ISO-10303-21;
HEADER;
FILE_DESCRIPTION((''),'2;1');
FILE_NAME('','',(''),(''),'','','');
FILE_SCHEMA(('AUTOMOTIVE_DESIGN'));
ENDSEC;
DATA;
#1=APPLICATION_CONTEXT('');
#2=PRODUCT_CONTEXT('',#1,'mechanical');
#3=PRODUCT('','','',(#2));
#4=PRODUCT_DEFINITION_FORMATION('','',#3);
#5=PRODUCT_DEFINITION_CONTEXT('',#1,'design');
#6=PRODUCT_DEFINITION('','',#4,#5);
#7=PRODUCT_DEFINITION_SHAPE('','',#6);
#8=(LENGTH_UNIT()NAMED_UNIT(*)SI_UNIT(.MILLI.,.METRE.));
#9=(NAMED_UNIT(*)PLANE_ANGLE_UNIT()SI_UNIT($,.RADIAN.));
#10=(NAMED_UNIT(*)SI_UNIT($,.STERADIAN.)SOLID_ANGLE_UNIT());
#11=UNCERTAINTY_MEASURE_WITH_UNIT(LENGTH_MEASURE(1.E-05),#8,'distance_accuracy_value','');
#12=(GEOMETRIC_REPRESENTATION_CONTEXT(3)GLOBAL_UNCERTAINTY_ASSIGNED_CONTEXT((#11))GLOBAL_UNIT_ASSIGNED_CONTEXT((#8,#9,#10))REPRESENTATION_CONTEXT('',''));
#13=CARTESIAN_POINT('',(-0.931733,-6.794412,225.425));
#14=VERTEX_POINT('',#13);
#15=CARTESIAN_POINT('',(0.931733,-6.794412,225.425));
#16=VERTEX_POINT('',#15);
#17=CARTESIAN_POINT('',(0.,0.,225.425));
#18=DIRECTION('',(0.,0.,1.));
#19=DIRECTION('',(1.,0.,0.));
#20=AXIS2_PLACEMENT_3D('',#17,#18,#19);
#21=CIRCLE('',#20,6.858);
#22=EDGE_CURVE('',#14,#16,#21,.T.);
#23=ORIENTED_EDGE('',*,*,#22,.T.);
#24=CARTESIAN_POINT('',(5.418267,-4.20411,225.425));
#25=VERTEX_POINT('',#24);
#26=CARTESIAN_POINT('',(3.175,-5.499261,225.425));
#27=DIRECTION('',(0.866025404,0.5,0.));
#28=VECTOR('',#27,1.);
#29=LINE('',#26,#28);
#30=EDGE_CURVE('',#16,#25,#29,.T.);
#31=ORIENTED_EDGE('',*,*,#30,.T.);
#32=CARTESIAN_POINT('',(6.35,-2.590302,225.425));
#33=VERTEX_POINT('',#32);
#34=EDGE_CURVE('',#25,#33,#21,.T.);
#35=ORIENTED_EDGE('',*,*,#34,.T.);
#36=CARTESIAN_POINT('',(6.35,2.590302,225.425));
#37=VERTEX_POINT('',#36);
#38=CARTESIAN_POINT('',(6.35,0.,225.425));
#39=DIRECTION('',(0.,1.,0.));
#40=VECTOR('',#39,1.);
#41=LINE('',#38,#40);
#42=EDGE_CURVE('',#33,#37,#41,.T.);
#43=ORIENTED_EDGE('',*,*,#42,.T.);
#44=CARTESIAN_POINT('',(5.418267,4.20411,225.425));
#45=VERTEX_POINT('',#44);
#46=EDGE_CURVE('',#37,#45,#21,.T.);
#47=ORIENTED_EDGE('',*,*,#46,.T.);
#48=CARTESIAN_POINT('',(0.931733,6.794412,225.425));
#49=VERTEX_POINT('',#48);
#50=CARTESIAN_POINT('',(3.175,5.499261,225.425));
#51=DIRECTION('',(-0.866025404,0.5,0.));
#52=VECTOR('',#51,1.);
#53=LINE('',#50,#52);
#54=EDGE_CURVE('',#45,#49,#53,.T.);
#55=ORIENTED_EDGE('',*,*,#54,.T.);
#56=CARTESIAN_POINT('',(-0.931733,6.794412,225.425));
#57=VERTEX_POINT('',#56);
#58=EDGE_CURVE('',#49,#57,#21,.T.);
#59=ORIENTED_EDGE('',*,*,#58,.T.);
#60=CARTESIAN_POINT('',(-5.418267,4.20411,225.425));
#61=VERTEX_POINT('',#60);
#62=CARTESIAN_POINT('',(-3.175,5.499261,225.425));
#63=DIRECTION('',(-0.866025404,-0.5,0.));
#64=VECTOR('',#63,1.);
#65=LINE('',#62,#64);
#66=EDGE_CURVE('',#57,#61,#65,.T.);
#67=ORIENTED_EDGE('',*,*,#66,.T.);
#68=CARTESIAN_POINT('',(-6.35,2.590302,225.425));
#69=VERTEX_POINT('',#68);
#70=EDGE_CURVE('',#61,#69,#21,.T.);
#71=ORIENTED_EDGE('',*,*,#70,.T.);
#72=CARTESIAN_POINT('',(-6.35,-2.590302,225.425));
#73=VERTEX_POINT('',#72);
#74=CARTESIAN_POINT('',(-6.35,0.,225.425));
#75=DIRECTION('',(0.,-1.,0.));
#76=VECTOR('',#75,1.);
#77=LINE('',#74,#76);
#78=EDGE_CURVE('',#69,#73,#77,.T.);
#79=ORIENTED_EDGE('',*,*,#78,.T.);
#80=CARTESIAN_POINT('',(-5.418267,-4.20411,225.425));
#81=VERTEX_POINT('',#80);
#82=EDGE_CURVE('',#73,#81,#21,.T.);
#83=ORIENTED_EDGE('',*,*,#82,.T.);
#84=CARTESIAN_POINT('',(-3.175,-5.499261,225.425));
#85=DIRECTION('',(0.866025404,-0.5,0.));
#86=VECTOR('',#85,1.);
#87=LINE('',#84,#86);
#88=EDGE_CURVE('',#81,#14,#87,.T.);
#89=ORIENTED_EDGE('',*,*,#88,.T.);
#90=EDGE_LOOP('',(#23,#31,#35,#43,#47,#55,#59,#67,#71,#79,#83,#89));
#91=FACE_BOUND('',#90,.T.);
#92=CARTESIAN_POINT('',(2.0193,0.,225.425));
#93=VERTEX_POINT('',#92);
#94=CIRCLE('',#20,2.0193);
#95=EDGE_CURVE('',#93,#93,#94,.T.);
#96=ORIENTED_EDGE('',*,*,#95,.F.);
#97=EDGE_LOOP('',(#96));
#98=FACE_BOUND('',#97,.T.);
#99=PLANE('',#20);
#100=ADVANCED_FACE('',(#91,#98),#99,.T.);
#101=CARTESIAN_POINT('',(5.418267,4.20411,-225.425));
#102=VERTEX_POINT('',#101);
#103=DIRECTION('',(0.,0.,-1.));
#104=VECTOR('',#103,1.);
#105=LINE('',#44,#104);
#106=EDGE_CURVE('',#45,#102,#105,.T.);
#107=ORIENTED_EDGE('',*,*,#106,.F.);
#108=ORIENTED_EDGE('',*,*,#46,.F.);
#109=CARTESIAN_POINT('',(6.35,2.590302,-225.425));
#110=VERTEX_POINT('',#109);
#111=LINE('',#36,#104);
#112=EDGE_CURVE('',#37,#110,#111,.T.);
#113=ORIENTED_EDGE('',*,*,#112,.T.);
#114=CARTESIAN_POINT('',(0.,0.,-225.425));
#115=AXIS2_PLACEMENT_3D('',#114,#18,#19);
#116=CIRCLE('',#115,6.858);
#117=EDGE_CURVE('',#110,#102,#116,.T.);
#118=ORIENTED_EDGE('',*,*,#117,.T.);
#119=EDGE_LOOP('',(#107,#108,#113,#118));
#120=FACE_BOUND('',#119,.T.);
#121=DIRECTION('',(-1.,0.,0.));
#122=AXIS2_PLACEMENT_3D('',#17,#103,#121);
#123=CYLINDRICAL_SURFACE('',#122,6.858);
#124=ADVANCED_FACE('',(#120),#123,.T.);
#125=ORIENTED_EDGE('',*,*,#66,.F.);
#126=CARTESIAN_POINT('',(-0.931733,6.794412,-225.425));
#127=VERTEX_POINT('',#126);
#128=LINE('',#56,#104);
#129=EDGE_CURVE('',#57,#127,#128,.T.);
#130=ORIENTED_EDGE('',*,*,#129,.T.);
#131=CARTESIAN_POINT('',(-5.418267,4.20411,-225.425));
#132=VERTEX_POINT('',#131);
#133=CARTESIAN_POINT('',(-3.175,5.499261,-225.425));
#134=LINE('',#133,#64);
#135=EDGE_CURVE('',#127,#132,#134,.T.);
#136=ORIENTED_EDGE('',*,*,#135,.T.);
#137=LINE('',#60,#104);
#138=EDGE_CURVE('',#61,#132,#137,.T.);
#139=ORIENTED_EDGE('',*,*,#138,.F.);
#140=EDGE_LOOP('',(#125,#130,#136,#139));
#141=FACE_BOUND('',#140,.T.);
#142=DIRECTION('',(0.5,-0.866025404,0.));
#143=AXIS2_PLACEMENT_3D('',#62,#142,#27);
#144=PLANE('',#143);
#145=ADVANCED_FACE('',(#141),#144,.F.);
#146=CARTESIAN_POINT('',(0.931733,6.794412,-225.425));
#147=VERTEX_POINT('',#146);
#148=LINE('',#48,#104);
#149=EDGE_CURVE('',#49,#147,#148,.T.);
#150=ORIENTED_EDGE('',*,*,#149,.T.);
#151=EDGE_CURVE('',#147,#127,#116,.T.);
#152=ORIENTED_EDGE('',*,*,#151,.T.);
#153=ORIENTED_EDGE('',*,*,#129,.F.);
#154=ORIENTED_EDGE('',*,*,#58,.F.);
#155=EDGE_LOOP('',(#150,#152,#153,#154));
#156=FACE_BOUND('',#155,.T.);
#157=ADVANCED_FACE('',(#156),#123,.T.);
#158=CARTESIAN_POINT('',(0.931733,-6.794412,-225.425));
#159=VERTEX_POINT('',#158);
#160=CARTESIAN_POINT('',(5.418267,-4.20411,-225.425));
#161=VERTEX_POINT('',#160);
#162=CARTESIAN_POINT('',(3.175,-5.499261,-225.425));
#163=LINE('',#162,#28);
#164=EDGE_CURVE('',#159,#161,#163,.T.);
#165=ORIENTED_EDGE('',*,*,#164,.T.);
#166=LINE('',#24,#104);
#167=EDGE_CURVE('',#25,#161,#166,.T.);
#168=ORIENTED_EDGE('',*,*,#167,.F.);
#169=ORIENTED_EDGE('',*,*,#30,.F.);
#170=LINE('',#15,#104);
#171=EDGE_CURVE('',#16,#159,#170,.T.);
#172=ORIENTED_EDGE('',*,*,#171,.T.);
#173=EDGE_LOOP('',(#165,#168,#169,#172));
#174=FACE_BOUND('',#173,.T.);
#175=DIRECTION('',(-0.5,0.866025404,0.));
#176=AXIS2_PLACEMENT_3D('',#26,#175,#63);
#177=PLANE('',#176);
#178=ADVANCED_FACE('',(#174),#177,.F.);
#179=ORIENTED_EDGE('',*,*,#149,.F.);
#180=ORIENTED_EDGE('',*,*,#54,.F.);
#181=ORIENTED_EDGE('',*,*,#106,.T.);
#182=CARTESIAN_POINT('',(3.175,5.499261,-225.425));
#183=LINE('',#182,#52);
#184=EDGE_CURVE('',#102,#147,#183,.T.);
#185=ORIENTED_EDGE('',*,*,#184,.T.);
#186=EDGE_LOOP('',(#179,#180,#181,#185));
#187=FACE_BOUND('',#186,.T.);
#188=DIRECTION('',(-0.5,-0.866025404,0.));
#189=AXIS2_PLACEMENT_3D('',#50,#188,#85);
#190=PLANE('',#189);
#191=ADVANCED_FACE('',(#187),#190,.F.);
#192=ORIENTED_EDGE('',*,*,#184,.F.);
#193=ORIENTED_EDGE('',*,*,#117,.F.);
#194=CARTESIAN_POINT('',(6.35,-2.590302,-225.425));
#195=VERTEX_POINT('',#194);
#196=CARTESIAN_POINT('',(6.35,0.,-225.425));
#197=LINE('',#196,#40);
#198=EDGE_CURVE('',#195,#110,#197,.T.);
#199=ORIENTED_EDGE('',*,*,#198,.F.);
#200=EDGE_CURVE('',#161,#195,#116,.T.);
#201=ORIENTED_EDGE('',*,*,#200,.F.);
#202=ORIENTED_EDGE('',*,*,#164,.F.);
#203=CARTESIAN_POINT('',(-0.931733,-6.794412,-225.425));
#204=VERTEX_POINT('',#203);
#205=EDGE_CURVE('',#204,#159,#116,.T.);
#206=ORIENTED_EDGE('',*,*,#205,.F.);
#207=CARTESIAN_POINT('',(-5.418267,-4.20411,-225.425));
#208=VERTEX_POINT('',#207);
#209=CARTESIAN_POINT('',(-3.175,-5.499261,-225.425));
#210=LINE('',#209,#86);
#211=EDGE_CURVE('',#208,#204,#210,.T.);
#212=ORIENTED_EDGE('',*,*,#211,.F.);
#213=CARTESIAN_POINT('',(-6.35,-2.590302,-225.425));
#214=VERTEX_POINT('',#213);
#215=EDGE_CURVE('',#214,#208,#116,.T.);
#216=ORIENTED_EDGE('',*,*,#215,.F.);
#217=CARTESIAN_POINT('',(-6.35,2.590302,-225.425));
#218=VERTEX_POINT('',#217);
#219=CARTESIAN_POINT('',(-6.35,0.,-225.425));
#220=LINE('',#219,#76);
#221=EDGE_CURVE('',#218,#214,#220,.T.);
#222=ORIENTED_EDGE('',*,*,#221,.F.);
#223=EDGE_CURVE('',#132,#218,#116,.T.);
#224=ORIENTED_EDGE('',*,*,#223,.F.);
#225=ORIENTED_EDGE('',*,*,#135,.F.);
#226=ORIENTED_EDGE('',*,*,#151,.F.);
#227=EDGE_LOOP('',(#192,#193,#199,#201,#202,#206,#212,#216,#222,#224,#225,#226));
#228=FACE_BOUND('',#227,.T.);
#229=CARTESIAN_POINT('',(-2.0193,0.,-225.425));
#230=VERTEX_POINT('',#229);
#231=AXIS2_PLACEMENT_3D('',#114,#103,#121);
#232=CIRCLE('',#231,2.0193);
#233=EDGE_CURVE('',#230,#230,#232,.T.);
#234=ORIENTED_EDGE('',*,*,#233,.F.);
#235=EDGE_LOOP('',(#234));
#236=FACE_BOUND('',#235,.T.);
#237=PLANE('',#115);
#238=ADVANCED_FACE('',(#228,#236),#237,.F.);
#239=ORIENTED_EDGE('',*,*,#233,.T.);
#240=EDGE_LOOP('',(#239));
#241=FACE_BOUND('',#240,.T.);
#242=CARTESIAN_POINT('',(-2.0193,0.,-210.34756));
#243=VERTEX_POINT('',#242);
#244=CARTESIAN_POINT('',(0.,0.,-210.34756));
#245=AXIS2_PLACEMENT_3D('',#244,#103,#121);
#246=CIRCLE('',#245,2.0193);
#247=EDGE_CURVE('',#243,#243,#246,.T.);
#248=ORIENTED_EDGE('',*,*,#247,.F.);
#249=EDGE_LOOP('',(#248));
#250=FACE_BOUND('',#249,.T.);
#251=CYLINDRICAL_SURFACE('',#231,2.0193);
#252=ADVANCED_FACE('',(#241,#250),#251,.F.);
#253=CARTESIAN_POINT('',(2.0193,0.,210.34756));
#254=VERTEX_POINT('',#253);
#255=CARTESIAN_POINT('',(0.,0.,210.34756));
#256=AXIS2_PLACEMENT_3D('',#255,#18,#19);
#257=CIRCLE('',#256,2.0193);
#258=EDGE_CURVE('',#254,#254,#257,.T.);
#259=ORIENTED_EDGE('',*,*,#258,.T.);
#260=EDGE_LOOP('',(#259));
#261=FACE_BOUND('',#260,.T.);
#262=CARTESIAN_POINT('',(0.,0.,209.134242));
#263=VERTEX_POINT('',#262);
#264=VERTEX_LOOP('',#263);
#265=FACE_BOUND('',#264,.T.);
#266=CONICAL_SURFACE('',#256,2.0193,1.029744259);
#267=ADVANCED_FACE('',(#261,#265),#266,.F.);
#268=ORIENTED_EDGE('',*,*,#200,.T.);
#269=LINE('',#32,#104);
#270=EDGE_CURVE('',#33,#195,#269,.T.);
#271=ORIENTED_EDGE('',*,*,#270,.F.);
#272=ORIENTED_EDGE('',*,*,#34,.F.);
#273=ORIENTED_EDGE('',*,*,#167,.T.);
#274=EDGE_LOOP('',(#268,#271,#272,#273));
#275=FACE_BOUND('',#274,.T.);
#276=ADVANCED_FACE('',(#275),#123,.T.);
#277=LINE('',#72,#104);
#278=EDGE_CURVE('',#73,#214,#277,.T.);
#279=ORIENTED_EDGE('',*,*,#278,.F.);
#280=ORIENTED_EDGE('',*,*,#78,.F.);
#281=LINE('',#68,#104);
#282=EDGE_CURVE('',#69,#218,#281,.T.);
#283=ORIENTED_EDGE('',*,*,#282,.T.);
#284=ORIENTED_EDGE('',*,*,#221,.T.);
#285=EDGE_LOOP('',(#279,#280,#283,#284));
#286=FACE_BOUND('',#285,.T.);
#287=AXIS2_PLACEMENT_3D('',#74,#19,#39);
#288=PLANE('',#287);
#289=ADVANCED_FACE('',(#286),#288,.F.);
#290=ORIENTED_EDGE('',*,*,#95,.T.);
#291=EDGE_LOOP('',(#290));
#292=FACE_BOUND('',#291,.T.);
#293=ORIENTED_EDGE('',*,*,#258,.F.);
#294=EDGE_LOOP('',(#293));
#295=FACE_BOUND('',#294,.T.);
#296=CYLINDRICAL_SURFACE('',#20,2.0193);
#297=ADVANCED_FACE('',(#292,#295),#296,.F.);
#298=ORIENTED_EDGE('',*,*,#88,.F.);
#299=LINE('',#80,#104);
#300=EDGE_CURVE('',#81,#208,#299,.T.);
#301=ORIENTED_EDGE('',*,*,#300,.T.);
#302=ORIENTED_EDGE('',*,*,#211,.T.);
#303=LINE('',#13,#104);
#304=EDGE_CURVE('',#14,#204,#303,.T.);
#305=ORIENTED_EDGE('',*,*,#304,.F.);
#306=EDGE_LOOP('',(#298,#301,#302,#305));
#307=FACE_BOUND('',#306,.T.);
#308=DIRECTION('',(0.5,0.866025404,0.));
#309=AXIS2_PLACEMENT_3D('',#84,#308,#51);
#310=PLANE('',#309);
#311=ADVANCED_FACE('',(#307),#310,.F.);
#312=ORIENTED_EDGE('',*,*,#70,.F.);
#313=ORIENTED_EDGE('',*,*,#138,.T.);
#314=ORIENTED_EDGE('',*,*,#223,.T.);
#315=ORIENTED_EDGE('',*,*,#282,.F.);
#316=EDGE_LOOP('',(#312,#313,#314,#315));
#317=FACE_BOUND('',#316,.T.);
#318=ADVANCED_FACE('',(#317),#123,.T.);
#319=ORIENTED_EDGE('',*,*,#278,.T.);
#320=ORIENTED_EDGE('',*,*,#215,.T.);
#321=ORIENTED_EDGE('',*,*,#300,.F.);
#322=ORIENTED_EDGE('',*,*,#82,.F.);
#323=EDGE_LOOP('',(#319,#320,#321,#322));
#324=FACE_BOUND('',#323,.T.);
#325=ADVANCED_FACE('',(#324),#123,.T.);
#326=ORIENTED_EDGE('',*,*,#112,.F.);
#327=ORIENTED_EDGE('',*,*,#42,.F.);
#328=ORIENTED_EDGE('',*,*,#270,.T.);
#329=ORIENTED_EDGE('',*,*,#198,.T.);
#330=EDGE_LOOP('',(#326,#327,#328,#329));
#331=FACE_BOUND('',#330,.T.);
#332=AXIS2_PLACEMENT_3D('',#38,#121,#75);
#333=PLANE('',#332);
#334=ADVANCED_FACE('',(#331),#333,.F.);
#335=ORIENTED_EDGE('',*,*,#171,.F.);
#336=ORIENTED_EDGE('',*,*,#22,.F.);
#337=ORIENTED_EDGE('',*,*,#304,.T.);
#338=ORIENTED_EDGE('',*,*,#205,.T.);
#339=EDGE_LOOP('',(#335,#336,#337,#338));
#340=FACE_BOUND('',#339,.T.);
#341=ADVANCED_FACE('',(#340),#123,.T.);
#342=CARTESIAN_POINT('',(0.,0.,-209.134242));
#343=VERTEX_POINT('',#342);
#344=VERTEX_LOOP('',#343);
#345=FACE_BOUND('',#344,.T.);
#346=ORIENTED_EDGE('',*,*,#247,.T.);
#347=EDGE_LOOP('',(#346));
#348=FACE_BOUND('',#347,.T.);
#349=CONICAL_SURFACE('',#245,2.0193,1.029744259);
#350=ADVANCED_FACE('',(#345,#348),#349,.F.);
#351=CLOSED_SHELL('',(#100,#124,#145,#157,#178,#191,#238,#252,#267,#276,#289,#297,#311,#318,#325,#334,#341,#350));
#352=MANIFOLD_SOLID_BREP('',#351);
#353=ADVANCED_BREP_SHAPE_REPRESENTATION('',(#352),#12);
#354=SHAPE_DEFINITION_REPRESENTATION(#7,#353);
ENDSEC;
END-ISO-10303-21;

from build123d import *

# Parameters (mm, degrees)
BOSS_EXTRUDE1_DEPTH                  = 225.425
F_10_32_TAPPED_HOLE1_D               = 4.0386
F_10_32_TAPPED_HOLE1_DEPTH           = 15.07744
F_10_32_TAPPED_HOLE1_TIP             = 1.213317848
F_10_32_TAPPED_HOLE1_ON_FACE_2_D     = 4.0386
F_10_32_TAPPED_HOLE1_ON_FACE_2_DEPTH = 15.07744
F_10_32_TAPPED_HOLE1_ON_FACE_2_TIP   = 1.213317848


with BuildPart() as part:
    # Sketch1 → Boss-Extrude1 (new, symmetric)
    with BuildSketch(Plane.XY):
        with BuildLine():
            ThreePointArc((6.35, 2.590301913), (5.939202219, 3.429), (5.41826726, 4.204110358))
            Line((5.41826726, 4.204110358), (0.93173274, 6.79441227))
            ThreePointArc((0.93173274, 6.79441227), (0, 6.858), (-0.93173274, 6.79441227))
            Line((-0.93173274, 6.79441227), (-5.41826726, 4.204110358))
            ThreePointArc((-5.41826726, 4.204110358), (-5.939202219, 3.429), (-6.35, 2.590301913))
            Line((-6.35, 2.590301913), (-6.35, -2.590301913))
            ThreePointArc((-6.35, -2.590301913), (-5.939202219, -3.429), (-5.41826726, -4.204110358))
            Line((-5.41826726, -4.204110358), (-0.93173274, -6.79441227))
            ThreePointArc((-0.93173274, -6.79441227), (0, -6.858), (0.93173274, -6.79441227))
            Line((0.93173274, -6.79441227), (5.41826726, -4.204110358))
            ThreePointArc((5.41826726, -4.204110358), (5.939202219, -3.429), (6.35, -2.590301913))
            Line((6.35, -2.590301913), (6.35, 2.590301913))
        make_face()
    extrude(amount=BOSS_EXTRUDE1_DEPTH, both=True)

    # #10-32 Tapped Hole1
    with Locations(Plane.XY.offset(225.425)):
        with Locations((0, 0)):
            Hole(F_10_32_TAPPED_HOLE1_D / 2, depth=F_10_32_TAPPED_HOLE1_DEPTH)
            with Locations((0, 0, -(F_10_32_TAPPED_HOLE1_DEPTH + F_10_32_TAPPED_HOLE1_TIP / 2))):  # 118° drill point
                Cone(0, F_10_32_TAPPED_HOLE1_D / 2, F_10_32_TAPPED_HOLE1_TIP, mode=Mode.SUBTRACT)

    # #10-32 Tapped Hole1 on face 2
    with Locations(Plane(origin=(0, 0, -225.425), x_dir=(-1, 0, 0), z_dir=(0, 0, -1))):
        with Locations((0, 0)):
            Hole(F_10_32_TAPPED_HOLE1_ON_FACE_2_D / 2, depth=F_10_32_TAPPED_HOLE1_ON_FACE_2_DEPTH)
            with Locations((0, 0, -(F_10_32_TAPPED_HOLE1_ON_FACE_2_DEPTH + F_10_32_TAPPED_HOLE1_ON_FACE_2_TIP / 2))):  # 118° drill point
                Cone(0, F_10_32_TAPPED_HOLE1_ON_FACE_2_D / 2, F_10_32_TAPPED_HOLE1_ON_FACE_2_TIP, mode=Mode.SUBTRACT)


solid = part.part
